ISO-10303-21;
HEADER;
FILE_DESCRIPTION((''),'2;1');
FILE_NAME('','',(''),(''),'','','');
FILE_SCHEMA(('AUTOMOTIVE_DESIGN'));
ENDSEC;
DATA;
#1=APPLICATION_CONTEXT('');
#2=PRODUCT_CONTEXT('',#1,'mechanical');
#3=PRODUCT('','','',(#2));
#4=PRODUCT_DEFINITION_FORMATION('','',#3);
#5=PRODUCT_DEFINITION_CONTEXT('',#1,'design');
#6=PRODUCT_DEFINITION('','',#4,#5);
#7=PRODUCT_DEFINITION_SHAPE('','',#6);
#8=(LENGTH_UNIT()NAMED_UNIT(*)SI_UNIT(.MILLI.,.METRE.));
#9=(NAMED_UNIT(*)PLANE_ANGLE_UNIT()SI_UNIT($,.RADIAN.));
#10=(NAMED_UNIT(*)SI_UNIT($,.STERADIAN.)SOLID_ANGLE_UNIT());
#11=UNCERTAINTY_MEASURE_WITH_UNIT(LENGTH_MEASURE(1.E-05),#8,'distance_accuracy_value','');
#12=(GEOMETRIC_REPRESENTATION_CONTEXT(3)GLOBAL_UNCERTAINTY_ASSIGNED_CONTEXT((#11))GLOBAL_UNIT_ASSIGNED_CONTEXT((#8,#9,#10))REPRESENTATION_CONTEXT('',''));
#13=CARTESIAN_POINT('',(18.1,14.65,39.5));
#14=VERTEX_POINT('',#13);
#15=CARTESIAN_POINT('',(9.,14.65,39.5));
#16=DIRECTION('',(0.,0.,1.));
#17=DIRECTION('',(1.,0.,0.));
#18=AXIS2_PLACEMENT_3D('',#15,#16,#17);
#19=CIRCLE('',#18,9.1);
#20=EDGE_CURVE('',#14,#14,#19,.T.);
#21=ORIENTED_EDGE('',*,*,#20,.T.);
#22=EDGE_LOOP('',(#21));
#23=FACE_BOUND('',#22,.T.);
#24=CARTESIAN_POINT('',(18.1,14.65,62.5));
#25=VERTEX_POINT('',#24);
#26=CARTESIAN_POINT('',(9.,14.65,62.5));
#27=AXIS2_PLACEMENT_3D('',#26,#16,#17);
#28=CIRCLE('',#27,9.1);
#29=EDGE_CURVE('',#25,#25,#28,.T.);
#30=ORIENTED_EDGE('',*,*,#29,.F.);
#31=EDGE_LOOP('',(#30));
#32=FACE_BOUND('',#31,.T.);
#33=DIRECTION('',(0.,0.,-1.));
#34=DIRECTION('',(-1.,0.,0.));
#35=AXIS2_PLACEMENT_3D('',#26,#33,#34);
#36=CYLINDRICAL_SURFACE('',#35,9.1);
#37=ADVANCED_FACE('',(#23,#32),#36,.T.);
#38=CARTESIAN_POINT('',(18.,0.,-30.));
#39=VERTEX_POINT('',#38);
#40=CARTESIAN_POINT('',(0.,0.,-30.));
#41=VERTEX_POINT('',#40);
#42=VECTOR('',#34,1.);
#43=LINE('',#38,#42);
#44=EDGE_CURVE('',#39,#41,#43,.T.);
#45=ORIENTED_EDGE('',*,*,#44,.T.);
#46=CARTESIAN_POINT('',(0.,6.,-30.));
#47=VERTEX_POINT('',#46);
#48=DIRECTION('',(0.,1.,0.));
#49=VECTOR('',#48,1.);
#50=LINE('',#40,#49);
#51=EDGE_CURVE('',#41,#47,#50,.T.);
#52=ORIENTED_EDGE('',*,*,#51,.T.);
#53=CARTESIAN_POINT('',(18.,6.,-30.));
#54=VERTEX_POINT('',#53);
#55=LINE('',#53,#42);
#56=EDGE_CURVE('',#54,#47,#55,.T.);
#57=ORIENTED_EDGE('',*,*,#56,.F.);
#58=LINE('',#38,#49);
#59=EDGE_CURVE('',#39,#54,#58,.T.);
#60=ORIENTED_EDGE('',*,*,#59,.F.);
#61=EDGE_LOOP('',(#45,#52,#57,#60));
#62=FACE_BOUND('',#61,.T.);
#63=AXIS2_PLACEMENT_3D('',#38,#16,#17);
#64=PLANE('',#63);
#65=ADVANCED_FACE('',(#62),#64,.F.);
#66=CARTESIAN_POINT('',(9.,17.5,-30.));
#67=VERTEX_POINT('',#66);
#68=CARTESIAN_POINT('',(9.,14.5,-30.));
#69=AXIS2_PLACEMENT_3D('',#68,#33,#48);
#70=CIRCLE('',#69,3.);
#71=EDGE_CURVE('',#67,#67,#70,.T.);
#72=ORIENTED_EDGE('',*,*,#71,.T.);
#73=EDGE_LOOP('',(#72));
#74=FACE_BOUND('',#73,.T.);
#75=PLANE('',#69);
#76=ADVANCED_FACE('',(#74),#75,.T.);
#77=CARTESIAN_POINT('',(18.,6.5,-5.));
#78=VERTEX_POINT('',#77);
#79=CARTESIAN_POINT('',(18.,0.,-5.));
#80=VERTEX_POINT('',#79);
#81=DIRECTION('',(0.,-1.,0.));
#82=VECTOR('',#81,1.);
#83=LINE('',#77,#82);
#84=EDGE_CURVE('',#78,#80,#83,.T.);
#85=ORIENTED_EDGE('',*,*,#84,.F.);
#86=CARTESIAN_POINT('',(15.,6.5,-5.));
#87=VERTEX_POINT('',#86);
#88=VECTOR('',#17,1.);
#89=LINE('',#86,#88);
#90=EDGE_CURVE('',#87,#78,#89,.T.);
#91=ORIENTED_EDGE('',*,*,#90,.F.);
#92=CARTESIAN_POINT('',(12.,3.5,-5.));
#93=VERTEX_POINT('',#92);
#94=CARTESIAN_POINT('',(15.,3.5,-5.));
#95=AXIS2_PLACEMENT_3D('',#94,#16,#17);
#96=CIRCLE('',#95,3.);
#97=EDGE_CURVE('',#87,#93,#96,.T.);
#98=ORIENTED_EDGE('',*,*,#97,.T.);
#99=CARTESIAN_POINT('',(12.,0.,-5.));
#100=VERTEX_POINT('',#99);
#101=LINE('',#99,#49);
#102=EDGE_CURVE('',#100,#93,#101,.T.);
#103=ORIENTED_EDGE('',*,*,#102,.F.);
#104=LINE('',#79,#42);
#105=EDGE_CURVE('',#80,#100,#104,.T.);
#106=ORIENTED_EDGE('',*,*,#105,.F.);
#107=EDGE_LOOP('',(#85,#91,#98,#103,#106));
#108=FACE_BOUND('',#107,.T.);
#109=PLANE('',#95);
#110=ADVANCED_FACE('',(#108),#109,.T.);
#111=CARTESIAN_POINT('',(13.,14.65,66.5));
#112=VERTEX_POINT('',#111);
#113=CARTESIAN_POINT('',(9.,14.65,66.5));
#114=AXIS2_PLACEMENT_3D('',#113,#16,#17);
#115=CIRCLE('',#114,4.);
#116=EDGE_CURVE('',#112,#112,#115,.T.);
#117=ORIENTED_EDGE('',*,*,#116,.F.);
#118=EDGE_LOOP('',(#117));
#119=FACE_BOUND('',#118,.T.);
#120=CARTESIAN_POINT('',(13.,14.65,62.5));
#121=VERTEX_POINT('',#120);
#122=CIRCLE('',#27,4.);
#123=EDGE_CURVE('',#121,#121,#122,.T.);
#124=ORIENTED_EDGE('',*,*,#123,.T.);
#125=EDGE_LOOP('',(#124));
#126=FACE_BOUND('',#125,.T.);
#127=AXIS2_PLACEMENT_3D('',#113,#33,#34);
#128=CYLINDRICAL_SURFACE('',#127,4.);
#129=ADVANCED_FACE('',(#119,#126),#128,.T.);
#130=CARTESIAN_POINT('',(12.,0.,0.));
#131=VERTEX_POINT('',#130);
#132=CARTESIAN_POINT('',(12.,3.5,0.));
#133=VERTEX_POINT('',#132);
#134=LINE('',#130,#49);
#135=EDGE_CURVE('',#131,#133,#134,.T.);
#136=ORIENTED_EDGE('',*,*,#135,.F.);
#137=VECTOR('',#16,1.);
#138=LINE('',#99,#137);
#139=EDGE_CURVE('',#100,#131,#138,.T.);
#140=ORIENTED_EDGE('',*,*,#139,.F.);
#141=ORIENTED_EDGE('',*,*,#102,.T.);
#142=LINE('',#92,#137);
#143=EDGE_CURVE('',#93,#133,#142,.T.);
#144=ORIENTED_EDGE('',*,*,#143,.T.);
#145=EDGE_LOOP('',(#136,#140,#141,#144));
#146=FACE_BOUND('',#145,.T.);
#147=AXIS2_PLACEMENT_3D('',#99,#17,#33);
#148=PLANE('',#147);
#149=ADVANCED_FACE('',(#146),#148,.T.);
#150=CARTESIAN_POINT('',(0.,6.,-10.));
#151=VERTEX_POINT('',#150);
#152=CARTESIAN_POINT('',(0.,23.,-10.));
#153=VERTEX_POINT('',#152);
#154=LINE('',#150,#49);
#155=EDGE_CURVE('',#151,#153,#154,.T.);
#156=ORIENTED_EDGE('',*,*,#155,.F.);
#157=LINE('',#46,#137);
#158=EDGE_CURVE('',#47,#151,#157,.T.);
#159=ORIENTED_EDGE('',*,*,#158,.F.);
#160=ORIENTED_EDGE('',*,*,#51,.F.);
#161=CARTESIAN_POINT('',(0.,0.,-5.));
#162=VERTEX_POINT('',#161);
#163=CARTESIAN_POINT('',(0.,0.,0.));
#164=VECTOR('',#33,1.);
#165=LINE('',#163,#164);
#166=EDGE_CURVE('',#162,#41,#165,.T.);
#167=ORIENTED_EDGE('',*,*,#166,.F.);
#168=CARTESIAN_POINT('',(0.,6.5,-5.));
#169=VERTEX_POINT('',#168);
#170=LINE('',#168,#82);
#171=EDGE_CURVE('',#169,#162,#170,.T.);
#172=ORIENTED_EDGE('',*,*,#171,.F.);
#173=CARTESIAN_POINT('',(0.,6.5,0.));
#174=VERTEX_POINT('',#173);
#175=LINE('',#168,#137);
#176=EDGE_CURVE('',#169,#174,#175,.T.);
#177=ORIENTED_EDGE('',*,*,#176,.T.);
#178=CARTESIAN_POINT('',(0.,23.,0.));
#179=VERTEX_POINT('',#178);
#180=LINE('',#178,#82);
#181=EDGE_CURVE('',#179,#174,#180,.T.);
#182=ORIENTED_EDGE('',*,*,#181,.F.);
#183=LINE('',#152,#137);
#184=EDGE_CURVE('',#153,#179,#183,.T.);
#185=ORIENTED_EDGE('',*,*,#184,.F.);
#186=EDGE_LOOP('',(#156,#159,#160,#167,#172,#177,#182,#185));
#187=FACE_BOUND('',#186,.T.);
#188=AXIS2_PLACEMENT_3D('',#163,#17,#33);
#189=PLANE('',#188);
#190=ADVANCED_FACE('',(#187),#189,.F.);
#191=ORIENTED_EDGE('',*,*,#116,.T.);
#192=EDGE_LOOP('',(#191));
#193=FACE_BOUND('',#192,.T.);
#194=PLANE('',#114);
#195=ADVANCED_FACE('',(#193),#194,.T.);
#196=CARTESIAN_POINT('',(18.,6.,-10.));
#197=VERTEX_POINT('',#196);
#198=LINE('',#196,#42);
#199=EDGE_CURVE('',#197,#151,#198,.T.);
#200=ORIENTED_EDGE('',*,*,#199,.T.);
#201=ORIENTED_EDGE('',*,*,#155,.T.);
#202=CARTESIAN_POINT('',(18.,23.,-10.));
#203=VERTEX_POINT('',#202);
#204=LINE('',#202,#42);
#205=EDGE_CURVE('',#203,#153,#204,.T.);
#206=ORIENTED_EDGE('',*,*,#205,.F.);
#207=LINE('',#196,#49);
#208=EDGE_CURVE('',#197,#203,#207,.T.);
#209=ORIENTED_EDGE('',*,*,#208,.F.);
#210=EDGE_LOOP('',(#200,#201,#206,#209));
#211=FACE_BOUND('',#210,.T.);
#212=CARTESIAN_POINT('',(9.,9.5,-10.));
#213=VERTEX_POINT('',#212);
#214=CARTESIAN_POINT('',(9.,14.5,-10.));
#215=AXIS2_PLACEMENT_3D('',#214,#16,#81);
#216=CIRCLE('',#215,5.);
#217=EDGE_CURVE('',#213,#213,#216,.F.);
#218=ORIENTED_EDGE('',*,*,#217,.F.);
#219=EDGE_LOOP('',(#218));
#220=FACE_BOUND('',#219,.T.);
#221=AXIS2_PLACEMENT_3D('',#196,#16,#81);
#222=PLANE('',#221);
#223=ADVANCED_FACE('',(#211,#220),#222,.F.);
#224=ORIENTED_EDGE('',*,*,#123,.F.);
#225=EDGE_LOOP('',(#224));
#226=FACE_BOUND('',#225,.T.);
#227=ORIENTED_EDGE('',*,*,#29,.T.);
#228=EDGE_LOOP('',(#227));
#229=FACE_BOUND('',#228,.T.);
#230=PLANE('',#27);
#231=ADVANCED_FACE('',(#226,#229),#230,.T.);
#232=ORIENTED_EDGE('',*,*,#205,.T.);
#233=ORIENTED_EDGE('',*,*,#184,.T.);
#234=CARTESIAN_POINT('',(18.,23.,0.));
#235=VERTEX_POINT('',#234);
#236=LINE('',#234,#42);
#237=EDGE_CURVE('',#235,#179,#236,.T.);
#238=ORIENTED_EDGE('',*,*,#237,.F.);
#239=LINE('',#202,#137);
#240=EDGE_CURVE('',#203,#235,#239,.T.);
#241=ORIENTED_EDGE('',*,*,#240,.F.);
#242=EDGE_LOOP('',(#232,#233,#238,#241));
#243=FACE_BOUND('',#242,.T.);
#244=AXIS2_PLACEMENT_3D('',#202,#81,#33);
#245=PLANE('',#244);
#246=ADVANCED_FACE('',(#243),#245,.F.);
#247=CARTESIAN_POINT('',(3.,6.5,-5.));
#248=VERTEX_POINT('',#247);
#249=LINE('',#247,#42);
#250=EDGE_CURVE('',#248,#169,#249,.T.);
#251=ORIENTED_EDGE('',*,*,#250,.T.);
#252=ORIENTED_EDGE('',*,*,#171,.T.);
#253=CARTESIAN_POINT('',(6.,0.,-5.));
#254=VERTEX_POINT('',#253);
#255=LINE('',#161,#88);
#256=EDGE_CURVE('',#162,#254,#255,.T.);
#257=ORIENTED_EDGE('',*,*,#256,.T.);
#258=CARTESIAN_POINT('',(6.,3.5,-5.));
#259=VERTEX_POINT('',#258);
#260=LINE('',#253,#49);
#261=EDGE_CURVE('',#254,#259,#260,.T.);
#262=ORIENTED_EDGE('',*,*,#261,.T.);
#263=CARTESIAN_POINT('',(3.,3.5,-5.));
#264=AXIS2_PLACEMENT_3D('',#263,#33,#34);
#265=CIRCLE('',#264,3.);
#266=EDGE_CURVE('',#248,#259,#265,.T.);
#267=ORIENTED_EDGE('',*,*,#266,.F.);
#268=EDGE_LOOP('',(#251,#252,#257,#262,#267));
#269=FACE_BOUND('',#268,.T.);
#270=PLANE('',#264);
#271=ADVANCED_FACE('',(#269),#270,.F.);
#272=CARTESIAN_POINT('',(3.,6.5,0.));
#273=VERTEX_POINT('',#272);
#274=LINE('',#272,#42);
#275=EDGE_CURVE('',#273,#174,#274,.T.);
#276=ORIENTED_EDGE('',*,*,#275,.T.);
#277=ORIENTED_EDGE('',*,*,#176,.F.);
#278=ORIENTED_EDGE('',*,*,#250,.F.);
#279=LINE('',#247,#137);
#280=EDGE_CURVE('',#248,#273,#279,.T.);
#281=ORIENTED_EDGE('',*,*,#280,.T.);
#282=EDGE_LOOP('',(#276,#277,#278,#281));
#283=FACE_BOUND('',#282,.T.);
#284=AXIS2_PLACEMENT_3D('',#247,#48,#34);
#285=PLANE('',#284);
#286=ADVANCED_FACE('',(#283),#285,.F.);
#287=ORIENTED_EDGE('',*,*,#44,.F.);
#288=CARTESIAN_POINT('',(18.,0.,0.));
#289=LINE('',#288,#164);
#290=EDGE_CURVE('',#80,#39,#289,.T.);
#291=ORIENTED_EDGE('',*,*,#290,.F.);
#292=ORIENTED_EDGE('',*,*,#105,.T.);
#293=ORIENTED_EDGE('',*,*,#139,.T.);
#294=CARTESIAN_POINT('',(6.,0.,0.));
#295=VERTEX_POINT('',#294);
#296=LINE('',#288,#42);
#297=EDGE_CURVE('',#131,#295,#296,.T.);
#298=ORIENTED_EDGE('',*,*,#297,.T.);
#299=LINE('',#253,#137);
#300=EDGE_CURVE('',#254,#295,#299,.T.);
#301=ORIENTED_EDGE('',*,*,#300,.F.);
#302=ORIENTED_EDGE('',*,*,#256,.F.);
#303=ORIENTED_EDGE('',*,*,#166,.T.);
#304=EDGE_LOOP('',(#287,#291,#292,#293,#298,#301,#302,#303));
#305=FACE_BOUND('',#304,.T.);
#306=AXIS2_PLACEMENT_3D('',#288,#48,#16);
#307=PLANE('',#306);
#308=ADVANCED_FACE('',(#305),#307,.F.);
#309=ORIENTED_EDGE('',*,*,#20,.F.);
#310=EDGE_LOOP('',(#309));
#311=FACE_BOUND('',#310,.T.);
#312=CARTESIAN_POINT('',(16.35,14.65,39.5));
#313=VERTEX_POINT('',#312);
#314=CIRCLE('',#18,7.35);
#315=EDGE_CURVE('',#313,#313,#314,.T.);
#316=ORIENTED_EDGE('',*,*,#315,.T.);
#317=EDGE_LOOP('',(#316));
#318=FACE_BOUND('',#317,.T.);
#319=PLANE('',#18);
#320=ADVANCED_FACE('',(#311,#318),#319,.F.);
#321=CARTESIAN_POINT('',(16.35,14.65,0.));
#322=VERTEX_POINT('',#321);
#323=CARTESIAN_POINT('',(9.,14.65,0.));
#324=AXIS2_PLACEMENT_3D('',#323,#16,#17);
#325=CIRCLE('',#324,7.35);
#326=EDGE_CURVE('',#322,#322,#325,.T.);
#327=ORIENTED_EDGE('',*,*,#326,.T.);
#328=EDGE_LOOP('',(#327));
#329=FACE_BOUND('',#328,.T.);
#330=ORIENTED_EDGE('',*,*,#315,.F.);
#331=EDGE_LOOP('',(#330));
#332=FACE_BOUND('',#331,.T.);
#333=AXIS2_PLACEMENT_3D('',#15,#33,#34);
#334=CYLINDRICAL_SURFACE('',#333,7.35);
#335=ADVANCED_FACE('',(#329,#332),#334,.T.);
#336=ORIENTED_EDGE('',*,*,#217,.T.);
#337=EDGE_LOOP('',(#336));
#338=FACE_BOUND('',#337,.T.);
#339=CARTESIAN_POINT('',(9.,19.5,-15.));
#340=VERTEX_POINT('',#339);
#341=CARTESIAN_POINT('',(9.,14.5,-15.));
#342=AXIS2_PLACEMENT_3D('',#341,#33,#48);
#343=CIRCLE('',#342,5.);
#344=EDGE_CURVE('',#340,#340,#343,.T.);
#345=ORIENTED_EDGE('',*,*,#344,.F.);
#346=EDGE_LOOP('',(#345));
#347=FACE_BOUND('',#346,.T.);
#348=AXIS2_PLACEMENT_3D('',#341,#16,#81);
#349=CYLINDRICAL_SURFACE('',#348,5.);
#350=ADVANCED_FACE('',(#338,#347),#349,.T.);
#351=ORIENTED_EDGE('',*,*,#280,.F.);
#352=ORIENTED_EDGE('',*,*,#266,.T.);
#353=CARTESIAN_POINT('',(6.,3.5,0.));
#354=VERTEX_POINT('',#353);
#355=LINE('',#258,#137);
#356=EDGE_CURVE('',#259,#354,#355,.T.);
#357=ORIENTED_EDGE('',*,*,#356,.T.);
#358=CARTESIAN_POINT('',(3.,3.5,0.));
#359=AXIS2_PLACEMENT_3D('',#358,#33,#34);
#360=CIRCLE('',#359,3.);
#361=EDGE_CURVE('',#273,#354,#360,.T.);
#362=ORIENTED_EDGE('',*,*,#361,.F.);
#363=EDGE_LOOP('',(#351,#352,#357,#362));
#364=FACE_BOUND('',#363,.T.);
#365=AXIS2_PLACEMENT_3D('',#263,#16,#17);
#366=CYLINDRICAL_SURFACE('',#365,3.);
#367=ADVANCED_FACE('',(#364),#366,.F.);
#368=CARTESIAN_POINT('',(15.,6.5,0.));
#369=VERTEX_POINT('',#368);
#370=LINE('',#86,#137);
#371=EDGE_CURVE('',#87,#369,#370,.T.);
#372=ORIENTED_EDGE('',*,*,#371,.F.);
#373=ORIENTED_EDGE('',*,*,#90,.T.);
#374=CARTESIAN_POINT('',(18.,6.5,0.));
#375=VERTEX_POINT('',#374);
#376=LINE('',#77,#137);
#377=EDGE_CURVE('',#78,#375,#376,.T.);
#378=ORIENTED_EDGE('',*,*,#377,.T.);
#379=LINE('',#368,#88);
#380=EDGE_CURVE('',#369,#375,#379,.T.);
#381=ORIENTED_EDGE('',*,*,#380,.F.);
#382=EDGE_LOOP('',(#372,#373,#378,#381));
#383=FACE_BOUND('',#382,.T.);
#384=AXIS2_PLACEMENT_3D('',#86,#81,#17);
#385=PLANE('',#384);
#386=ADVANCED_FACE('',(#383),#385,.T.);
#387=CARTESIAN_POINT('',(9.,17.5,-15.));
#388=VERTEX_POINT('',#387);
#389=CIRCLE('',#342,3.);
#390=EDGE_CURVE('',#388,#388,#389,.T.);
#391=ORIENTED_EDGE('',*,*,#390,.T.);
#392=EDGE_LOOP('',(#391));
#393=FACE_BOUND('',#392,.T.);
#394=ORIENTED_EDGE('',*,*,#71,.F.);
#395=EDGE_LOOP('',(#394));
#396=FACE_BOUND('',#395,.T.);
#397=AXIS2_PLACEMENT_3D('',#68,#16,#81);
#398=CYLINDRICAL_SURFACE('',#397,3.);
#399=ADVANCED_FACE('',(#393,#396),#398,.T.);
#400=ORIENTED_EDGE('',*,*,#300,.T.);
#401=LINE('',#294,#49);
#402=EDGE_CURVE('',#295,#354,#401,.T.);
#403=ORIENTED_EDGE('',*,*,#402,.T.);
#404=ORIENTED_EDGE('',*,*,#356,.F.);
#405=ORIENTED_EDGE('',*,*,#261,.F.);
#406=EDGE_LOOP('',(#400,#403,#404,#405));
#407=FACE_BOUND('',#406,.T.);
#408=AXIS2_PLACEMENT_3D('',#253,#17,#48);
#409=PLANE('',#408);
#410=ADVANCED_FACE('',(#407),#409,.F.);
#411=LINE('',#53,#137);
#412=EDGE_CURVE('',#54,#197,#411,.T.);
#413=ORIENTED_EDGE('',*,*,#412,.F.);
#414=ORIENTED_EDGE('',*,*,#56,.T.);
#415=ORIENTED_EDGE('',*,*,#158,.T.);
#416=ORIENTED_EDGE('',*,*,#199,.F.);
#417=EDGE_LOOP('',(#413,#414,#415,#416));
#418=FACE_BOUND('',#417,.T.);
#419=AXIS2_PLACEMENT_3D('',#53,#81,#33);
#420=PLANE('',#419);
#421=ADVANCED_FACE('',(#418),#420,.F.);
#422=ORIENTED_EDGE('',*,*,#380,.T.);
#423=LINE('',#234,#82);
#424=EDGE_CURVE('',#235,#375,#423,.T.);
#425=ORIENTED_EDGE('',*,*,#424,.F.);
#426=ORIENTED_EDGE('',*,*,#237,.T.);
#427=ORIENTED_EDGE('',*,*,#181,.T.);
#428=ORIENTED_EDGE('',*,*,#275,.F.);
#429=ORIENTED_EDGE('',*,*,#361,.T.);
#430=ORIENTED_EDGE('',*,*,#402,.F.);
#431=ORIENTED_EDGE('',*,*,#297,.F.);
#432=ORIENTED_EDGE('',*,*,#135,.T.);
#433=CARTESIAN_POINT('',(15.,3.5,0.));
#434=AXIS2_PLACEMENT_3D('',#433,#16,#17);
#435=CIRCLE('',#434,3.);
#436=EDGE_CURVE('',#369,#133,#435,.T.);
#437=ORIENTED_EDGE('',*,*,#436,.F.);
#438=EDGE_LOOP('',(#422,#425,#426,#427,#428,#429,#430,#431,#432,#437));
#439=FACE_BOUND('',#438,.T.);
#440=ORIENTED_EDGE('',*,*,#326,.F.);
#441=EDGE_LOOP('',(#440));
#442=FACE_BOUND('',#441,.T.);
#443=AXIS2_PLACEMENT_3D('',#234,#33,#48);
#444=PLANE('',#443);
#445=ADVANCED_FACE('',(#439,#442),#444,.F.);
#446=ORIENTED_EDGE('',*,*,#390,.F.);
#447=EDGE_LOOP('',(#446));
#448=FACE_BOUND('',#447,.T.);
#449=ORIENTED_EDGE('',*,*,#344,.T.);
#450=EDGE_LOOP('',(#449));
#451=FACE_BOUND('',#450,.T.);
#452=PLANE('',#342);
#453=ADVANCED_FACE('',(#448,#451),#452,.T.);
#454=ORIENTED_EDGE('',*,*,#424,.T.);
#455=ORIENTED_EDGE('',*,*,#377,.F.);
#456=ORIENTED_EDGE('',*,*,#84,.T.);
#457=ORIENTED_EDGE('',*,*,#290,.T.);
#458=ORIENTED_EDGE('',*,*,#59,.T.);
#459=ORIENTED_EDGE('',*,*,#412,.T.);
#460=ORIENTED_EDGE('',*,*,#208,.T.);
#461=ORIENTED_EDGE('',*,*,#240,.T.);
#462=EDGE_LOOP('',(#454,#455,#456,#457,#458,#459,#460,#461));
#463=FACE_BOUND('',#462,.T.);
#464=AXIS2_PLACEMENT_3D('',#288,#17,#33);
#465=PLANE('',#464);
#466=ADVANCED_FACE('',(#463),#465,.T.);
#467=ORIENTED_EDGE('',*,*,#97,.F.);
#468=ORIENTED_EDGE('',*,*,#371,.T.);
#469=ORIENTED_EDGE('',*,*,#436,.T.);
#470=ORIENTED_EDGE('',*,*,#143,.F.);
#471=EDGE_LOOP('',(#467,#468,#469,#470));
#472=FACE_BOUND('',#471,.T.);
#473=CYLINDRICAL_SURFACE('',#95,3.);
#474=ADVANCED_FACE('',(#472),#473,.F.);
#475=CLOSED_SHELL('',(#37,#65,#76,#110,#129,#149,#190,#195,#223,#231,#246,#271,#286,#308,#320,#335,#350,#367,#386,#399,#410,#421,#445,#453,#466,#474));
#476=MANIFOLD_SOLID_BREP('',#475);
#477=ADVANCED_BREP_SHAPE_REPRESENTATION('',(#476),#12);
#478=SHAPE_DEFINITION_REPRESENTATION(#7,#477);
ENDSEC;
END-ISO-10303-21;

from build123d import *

# Parameters (mm, degrees)
BOSS_EXTRUDE1_DEPTH = 18
CUT_EXTRUDE1_DEPTH  = 5
SKETCH4_R           = 5
BOSS_EXTRUDE2_DEPTH = 5
SKETCH5_R           = 3
BOSS_EXTRUDE3_DEPTH = 15
SKETCH6_R           = 7.35
BOSS_EXTRUDE4_DEPTH = 39.5
SKETCH7_R           = 9.1
BOSS_EXTRUDE5_DEPTH = 23
SKETCH8_R           = 4
BOSS_EXTRUDE6_DEPTH = 4


with BuildPart() as part:
    # Sketch1 → Boss-Extrude1 (new body)
    with BuildSketch(Plane(origin=(0, 0, 0), x_dir=(0, 0, -1), z_dir=(1, 0, 0))):
        Polygon((0, 0), (30, 0), (30, 6), (10, 6), (10, 23), (0, 23), align=None)
    extrude(amount=BOSS_EXTRUDE1_DEPTH)

    # Sketch2 → Cut-Extrude1 (cut)
    with BuildSketch(Plane.XY):
        with BuildLine():
            Line((12, 0), (12, 3.5))
            ThreePointArc((12, 3.5), (12.878679656, 5.621320344), (15, 6.5))
            Line((15, 6.5), (18, 6.5))
            Line((18, 6.5), (18, 0))
            Line((18, 0), (12, 0))
        make_face()
        with BuildLine():
            Line((6, 0), (6, 3.5))
            ThreePointArc((6, 3.5), (5.121320344, 5.621320344), (3, 6.5))
            Line((3, 6.5), (0, 6.5))
            Line((0, 6.5), (0, 0))
            Line((0, 0), (6, 0))
        make_face()
    extrude(amount=-CUT_EXTRUDE1_DEPTH, mode=Mode.SUBTRACT)

    # Sketch4 → Boss-Extrude2 (add)
    with BuildSketch(Plane(origin=(0, 0, -10), x_dir=(-1, 0, 0), z_dir=(0, 0, -1))):
        with Locations(Location((-9, 14.5, 0), (0, 0, 270))):
            Circle(SKETCH4_R)
    extrude(amount=BOSS_EXTRUDE2_DEPTH)

    # Sketch5 → Boss-Extrude3 (add)
    with BuildSketch(Plane(origin=(0, 0, -15), x_dir=(-1, 0, 0), z_dir=(0, 0, -1))):
        with Locations(Location((-9, 14.5, 0), (0, 0, 90))):
            Circle(SKETCH5_R)
    extrude(amount=BOSS_EXTRUDE3_DEPTH)

    # Sketch6 → Boss-Extrude4 (add)
    with BuildSketch(Plane.XY):
        with Locations((9, 14.65)):
            Circle(SKETCH6_R)
    extrude(amount=BOSS_EXTRUDE4_DEPTH)

    # Sketch7 → Boss-Extrude5 (add)
    with BuildSketch(Plane.XY.offset(39.5)):
        with Locations((9, 14.65)):
            Circle(SKETCH7_R)
    extrude(amount=BOSS_EXTRUDE5_DEPTH)

    # Sketch8 → Boss-Extrude6 (add)
    with BuildSketch(Plane.XY.offset(62.5)):
        with Locations((9, 14.65)):
            Circle(SKETCH8_R)
    extrude(amount=BOSS_EXTRUDE6_DEPTH)


solid = part.part
